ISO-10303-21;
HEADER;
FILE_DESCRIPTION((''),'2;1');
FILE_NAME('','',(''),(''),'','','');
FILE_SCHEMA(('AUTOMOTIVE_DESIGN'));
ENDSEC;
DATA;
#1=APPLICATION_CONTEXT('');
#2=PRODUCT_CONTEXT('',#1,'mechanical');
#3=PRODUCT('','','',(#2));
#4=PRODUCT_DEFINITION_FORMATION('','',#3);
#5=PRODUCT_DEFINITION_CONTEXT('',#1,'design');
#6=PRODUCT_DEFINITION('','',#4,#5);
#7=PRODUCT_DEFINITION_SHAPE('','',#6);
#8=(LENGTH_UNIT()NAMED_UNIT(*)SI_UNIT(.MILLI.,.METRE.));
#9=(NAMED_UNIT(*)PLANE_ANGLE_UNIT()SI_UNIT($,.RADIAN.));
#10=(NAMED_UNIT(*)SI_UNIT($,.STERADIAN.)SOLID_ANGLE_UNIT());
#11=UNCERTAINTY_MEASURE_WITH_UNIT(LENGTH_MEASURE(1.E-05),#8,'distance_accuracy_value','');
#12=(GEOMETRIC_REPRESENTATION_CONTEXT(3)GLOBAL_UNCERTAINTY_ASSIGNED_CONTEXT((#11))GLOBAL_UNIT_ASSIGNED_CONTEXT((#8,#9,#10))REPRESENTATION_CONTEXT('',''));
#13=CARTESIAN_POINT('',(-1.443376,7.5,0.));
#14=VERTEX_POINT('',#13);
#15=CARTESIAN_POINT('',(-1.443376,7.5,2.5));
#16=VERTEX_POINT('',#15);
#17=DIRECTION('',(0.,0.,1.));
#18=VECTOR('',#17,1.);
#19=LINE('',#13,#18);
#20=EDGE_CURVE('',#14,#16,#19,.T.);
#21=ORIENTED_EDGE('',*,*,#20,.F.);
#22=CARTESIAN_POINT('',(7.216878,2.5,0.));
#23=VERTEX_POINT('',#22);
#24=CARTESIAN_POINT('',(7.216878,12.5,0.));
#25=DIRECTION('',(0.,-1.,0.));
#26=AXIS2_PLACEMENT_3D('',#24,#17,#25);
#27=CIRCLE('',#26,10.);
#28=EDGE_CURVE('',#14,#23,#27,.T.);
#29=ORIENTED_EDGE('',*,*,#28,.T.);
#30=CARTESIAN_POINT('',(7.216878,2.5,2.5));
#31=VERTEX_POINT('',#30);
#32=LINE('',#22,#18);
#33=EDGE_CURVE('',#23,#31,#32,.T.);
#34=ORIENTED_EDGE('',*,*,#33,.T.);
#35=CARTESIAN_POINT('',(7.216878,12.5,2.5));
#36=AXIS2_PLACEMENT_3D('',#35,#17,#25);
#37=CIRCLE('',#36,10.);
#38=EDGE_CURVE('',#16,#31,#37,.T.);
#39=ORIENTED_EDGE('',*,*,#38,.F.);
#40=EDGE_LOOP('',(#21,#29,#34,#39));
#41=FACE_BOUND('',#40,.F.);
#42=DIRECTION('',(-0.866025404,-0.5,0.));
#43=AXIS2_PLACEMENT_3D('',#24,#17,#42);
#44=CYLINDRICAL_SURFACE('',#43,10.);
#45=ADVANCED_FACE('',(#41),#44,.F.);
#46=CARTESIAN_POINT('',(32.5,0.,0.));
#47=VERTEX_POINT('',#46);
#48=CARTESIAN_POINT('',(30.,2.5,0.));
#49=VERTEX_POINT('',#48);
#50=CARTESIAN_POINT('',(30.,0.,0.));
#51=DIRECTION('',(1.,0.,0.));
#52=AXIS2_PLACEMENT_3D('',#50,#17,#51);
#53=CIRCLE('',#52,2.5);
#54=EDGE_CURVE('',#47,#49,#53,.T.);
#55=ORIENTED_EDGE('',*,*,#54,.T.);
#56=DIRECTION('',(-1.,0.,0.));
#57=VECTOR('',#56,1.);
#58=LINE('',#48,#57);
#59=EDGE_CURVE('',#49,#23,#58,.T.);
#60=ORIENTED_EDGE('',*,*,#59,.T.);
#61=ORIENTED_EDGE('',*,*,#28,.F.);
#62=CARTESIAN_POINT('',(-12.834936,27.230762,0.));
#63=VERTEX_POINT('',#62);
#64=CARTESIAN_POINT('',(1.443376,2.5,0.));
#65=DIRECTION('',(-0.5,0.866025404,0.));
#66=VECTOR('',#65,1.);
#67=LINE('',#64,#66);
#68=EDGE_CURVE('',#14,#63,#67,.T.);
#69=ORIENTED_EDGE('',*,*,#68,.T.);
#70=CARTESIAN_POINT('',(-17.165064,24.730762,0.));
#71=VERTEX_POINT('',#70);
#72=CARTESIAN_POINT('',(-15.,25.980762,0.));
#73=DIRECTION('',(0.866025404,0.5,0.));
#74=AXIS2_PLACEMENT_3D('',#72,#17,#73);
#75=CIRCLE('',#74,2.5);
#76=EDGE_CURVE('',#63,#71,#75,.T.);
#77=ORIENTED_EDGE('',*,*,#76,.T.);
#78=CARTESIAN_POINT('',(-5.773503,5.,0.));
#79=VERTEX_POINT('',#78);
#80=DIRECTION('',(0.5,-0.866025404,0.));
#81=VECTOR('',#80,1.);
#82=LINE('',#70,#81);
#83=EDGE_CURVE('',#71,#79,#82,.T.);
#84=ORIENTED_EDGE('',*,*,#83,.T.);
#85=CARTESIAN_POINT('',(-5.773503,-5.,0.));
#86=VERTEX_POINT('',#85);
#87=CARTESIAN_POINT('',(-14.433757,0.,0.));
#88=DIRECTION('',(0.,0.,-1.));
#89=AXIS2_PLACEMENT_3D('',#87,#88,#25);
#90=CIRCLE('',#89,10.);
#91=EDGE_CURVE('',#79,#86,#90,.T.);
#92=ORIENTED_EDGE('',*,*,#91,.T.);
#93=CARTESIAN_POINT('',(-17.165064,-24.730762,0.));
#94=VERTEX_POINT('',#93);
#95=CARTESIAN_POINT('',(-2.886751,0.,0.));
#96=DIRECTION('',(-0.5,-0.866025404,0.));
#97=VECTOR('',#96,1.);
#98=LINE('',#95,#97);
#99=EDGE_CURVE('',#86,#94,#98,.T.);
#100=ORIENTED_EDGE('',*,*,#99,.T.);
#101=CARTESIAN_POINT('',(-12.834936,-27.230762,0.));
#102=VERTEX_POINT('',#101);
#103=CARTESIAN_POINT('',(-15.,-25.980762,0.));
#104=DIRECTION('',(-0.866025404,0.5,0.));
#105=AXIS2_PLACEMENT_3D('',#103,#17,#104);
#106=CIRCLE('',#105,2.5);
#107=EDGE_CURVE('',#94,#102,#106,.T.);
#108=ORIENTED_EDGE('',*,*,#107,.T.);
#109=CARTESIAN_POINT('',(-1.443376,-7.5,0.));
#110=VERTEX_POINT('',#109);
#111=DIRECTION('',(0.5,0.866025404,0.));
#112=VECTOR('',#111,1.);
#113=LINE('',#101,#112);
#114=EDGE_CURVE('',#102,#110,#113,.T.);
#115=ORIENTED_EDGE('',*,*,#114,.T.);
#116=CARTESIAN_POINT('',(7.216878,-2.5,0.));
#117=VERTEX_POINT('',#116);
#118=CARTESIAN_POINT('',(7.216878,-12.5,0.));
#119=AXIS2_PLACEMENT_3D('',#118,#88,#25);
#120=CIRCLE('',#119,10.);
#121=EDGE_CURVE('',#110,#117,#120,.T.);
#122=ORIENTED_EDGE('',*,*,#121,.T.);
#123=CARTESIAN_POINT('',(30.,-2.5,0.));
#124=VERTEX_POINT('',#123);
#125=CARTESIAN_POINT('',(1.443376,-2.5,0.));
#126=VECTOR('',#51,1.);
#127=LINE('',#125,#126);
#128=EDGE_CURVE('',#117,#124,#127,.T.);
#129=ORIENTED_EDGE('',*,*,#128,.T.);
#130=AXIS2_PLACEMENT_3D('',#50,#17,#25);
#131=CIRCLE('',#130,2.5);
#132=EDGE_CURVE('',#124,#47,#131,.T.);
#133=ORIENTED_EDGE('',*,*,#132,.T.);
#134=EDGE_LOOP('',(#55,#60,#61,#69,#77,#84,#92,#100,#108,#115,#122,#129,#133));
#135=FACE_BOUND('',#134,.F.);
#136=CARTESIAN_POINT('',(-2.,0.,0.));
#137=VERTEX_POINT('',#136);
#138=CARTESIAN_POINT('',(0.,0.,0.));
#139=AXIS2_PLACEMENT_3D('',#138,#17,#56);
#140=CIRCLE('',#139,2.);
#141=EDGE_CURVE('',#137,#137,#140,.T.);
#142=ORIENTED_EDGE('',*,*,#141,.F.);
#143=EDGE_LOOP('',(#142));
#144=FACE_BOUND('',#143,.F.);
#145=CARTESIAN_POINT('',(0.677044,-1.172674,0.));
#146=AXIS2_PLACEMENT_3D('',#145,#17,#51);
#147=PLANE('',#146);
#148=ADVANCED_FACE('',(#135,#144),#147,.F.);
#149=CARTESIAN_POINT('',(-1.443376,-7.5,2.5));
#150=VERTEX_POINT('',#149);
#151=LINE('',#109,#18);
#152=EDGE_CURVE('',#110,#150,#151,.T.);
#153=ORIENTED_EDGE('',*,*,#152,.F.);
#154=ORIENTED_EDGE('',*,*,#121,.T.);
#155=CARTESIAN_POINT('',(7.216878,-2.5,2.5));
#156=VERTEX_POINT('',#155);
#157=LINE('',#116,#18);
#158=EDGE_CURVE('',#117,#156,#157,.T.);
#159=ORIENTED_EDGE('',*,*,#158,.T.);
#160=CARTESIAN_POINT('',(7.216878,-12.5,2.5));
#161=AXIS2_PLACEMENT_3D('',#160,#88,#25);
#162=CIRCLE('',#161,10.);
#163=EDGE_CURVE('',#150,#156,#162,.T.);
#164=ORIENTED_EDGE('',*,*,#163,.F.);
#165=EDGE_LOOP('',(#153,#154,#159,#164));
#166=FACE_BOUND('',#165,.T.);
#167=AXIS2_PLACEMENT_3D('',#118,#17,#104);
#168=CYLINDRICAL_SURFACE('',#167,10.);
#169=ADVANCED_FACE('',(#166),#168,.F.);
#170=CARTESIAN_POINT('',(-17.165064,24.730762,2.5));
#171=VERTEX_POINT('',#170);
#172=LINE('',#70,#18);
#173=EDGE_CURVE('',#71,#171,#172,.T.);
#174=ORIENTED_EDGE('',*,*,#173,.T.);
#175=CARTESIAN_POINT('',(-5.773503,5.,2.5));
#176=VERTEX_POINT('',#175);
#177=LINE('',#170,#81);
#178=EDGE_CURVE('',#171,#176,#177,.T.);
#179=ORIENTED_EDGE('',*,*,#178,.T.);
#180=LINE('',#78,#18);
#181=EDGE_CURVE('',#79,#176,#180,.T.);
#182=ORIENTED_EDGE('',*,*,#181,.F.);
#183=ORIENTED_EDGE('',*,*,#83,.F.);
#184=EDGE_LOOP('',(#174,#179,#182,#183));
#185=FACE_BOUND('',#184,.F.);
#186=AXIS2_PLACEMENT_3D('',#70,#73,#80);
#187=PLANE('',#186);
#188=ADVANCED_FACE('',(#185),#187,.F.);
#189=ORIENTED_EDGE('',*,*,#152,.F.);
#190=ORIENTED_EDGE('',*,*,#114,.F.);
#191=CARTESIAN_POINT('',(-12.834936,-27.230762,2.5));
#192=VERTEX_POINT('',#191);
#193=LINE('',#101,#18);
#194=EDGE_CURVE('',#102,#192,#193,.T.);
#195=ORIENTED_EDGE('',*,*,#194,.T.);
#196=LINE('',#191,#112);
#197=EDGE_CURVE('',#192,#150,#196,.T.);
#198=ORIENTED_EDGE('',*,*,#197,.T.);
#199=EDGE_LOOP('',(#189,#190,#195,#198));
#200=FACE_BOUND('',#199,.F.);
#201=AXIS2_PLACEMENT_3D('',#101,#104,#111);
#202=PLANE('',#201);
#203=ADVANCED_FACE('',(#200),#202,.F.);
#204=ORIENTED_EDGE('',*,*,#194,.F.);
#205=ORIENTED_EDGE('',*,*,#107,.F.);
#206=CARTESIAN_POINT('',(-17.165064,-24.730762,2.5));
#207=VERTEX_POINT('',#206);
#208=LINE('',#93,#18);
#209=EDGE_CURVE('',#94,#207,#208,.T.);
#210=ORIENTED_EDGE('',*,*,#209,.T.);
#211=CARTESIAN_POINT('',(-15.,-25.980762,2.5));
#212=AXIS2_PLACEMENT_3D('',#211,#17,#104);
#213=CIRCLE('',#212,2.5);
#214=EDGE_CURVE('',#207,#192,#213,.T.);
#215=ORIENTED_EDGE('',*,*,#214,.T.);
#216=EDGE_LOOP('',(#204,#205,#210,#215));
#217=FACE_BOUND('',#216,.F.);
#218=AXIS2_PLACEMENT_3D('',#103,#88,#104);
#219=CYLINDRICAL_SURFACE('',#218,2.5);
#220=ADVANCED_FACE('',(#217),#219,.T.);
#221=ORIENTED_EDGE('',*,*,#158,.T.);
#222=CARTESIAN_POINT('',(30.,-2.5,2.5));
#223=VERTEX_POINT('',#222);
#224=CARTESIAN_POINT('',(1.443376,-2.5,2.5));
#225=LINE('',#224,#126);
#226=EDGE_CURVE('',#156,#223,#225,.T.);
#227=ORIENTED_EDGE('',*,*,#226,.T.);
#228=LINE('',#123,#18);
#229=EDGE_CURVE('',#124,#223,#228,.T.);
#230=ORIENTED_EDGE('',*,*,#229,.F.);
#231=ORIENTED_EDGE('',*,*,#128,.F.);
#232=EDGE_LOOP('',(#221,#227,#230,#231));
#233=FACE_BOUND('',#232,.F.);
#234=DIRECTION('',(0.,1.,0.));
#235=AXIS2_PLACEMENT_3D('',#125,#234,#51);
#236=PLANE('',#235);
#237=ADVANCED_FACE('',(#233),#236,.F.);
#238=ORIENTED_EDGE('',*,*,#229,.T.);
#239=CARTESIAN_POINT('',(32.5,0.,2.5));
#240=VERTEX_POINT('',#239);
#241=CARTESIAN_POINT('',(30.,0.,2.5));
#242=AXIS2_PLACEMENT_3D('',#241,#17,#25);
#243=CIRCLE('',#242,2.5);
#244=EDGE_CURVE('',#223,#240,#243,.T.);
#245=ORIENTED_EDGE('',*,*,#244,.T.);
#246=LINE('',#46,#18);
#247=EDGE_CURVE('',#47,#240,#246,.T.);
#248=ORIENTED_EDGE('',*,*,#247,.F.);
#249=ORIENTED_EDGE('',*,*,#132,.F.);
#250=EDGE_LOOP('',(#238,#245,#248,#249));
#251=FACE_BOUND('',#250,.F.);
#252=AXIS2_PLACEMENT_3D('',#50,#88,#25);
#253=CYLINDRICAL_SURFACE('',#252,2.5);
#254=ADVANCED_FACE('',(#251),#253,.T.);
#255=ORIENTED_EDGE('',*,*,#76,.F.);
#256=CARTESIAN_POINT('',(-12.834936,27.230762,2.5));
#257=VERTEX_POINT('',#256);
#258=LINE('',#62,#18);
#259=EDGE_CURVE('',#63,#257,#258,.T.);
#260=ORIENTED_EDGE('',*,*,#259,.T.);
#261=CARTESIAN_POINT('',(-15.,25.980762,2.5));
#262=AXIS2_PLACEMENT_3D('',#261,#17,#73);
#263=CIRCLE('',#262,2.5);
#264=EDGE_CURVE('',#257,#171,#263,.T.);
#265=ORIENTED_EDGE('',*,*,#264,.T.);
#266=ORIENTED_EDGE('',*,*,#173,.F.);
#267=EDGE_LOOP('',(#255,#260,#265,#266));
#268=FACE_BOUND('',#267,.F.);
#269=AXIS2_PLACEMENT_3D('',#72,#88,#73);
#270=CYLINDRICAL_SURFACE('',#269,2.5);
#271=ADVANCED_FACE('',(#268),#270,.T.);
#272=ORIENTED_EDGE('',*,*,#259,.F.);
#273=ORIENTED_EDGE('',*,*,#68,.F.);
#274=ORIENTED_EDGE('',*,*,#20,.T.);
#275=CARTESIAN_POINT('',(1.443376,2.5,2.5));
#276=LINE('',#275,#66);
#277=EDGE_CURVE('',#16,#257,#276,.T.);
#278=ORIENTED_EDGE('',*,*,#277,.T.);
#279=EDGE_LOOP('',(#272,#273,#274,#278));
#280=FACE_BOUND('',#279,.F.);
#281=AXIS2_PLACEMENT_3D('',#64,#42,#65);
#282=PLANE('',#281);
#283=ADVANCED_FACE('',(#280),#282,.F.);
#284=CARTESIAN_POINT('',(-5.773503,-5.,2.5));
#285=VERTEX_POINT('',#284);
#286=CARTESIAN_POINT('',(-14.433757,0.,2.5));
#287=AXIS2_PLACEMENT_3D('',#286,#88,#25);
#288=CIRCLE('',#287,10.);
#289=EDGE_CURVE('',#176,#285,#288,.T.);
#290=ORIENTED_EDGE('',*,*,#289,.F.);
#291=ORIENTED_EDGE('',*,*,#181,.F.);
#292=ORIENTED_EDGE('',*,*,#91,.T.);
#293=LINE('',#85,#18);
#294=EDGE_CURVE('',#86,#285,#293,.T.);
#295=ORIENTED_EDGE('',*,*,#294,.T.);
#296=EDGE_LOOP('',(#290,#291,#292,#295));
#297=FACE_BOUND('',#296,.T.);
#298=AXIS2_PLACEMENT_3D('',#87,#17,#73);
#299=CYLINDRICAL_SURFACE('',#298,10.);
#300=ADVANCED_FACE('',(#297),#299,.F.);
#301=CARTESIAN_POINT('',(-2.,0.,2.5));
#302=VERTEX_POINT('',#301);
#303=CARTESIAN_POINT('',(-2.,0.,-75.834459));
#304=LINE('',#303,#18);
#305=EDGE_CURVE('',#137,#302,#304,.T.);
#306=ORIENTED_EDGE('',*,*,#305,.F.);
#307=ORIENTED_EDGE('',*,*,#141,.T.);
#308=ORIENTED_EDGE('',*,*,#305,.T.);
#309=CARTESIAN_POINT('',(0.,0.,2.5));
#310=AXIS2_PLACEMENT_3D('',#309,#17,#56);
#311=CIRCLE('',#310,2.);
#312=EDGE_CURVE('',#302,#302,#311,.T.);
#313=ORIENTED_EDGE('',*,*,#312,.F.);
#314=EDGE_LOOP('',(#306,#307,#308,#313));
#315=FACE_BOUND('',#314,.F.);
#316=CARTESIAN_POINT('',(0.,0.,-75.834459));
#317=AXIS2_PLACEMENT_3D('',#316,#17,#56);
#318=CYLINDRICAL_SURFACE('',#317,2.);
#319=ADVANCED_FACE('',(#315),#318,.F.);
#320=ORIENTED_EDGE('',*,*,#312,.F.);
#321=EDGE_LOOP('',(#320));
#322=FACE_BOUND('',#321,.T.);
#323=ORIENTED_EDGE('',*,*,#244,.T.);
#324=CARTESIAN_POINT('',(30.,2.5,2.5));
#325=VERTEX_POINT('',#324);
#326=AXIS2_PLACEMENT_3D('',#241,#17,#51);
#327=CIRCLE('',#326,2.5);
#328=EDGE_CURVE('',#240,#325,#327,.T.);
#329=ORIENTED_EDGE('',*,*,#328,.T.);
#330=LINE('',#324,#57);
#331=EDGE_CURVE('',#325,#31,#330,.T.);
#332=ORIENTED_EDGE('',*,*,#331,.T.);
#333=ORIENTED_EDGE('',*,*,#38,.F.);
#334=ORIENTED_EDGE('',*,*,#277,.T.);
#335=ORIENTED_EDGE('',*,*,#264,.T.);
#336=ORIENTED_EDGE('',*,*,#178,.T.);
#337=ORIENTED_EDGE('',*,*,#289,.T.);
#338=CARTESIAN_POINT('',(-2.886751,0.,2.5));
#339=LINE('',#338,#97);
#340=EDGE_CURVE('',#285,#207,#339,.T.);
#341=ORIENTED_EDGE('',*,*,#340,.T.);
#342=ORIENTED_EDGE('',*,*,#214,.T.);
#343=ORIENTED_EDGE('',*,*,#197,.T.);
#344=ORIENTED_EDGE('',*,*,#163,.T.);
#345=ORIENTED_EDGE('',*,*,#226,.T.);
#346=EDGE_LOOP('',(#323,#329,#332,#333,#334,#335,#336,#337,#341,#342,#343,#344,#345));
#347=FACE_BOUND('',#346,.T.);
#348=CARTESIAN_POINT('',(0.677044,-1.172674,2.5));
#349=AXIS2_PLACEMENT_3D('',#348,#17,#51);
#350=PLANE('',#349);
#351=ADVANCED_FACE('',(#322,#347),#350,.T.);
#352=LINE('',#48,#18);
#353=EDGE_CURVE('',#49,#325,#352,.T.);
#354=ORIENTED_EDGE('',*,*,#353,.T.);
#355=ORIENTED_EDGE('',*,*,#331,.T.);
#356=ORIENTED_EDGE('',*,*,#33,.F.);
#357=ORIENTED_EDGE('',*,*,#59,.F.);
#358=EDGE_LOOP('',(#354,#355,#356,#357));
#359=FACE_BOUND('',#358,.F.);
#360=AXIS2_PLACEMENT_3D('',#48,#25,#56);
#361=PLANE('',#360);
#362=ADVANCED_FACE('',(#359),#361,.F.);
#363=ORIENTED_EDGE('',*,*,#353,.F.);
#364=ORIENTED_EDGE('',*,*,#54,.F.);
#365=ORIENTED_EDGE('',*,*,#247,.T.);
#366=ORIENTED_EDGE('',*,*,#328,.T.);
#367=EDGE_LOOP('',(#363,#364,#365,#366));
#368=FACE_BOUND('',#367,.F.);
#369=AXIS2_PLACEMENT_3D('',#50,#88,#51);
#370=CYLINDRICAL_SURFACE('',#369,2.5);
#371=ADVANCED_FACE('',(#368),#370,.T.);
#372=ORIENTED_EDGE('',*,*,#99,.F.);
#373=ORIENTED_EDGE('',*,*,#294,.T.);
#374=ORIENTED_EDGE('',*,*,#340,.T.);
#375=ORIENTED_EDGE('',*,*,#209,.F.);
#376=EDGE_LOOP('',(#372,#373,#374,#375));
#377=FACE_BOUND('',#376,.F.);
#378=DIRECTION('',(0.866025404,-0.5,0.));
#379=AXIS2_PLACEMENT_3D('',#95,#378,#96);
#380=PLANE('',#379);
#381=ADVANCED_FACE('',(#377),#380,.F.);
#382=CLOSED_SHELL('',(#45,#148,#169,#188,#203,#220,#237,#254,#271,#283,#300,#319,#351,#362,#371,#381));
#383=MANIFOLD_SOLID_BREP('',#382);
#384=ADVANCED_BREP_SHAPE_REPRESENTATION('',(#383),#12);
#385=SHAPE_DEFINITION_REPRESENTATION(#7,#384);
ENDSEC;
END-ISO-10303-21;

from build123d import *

# Parameters (mm, degrees)
F1_DEPTH = 2.5
F3_D     = 4
F4_R     = 10


with BuildPart() as f1:
    # F0 (on Top) → F1 (new body)
    with BuildSketch(Plane.XY):
        with BuildLine():
            ThreePointArc((2.1650635095, -1.25), (2.4148145657, -0.6470476128), (2.5, 0))
            Line((2.5, 0), (0, 0))
            Line((0, 0), (-1.25, -2.1650635095))
            ThreePointArc((-1.25, -2.1650635095), (-0.6470476128, -2.4148145657), (0, -2.5))
            ThreePointArc((0, -2.5), (1.25, -2.1650635095), (2.1650635095, -1.25))
        make_face()
        with BuildLine():
            Line((-1.25, -2.1650635095), (0, 0))
            Line((0, 0), (-1.25, 2.1650635095))
            ThreePointArc((-1.25, 2.1650635095), (-1.767766953, 1.767766953), (-2.1650635095, 1.25))
            ThreePointArc((-2.1650635095, 1.25), (-2.5, 0), (-2.1650635095, -1.25))
            ThreePointArc((-2.1650635095, -1.25), (-1.767766953, -1.767766953), (-1.25, -2.1650635095))
        make_face()
        with BuildLine():
            ThreePointArc((30, -2.5), (31.767766953, -1.767766953), (32.5, 0))
            ThreePointArc((32.5, 0), (31.767766953, 1.767766953), (30, 2.5))
            ThreePointArc((30, 2.5), (28.232233047, 1.767766953), (27.5, 0))
            ThreePointArc((27.5, 0), (28.232233047, -1.767766953), (30, -2.5))
        make_face()
        with BuildLine():
            ThreePointArc((-12.5, 25.9807621135), (-12.5851854343, 26.6278097263), (-12.8349364905, 27.2307621135))
            ThreePointArc((-12.8349364905, 27.2307621135), (-16.25, 28.145825623), (-17.1650635095, 24.7307621135))
            ThreePointArc((-17.1650635095, 24.7307621135), (-15.6470476128, 23.5659475478), (-13.75, 23.8156986041))
            ThreePointArc((-13.75, 23.8156986041), (-12.8349364905, 24.7307621135), (-12.5, 25.9807621135))
        make_face()
        with BuildLine():
            ThreePointArc((-17.1650635095, -24.7307621135), (-16.25, -28.145825623), (-12.8349364905, -27.2307621135))
            ThreePointArc((-12.8349364905, -27.2307621135), (-12.5851854343, -26.6278097263), (-12.5, -25.9807621135))
            ThreePointArc((-12.5, -25.9807621135), (-12.8349364905, -24.7307621135), (-13.75, -23.8156986041))
            ThreePointArc((-13.75, -23.8156986041), (-15.6470476128, -23.5659475478), (-17.1650635095, -24.7307621135))
        make_face()
        with BuildLine():
            ThreePointArc((27.5, 0), (28.232233047, 1.767766953), (30, 2.5))
            Line((30, 2.5), (1.443375673, 2.5))
            Line((1.443375673, 2.5), (2.1650635095, 1.25))
            ThreePointArc((2.1650635095, 1.25), (2.4148145657, 0.6470476128), (2.5, 0))
            Line((2.5, 0), (27.5, 0))
        make_face()
        with BuildLine():
            Line((1.443375673, -2.5), (30, -2.5))
            ThreePointArc((30, -2.5), (28.232233047, -1.767766953), (27.5, 0))
            Line((27.5, 0), (2.5, 0))
            ThreePointArc((2.5, 0), (2.4148145657, -0.6470476128), (2.1650635095, -1.25))
            Line((2.1650635095, -1.25), (1.443375673, -2.5))
        make_face()
        with BuildLine():
            Line((-12.8349364905, -27.2307621135), (1.443375673, -2.5))
            Line((1.443375673, -2.5), (0, -2.5))
            ThreePointArc((0, -2.5), (-0.6470476128, -2.4148145657), (-1.25, -2.1650635095))
            Line((-1.25, -2.1650635095), (-13.75, -23.8156986041))
            ThreePointArc((-13.75, -23.8156986041), (-12.8349364905, -24.7307621135), (-12.5, -25.9807621135))
            ThreePointArc((-12.5, -25.9807621135), (-12.5851854343, -26.6278097263), (-12.8349364905, -27.2307621135))
        make_face()
        with BuildLine():
            Line((0, 2.5), (1.443375673, 2.5))
            Line((1.443375673, 2.5), (-12.8349364905, 27.2307621135))
            ThreePointArc((-12.8349364905, 27.2307621135), (-12.5851854343, 26.6278097263), (-12.5, 25.9807621135))
            ThreePointArc((-12.5, 25.9807621135), (-12.8349364905, 24.7307621135), (-13.75, 23.8156986041))
            Line((-13.75, 23.8156986041), (-1.25, 2.1650635095))
            ThreePointArc((-1.25, 2.1650635095), (-0.6470476128, 2.4148145657), (0, 2.5))
        make_face()
        with BuildLine():
            Line((-13.75, -23.8156986041), (-1.25, -2.1650635095))
            ThreePointArc((-1.25, -2.1650635095), (-1.767766953, -1.767766953), (-2.1650635095, -1.25))
            Line((-2.1650635095, -1.25), (-2.8867513459, 0))
            Line((-2.8867513459, 0), (-17.1650635095, -24.7307621135))
            ThreePointArc((-17.1650635095, -24.7307621135), (-15.6470476128, -23.5659475478), (-13.75, -23.8156986041))
        make_face()
        with BuildLine():
            ThreePointArc((-2.1650635095, 1.25), (-1.767766953, 1.767766953), (-1.25, 2.1650635095))
            Line((-1.25, 2.1650635095), (-13.75, 23.8156986041))
            ThreePointArc((-13.75, 23.8156986041), (-15.6470476128, 23.5659475478), (-17.1650635095, 24.7307621135))
            Line((-17.1650635095, 24.7307621135), (-2.8867513459, 0))
            Line((-2.8867513459, 0), (-2.1650635095, 1.25))
        make_face()
        with BuildLine():
            Line((0, 0), (2.5, 0))
            ThreePointArc((2.5, 0), (2.4148145657, 0.6470476128), (2.1650635095, 1.25))
            ThreePointArc((2.1650635095, 1.25), (1.25, 2.1650635095), (0, 2.5))
            ThreePointArc((0, 2.5), (-0.6470476128, 2.4148145657), (-1.25, 2.1650635095))
            Line((-1.25, 2.1650635095), (0, 0))
        make_face()
        with BuildLine():
            Line((0, -2.5), (1.443375673, -2.5))
            Line((1.443375673, -2.5), (2.1650635095, -1.25))
            ThreePointArc((2.1650635095, -1.25), (1.25, -2.1650635095), (0, -2.5))
        make_face()
        with BuildLine():
            Line((2.1650635095, 1.25), (1.443375673, 2.5))
            Line((1.443375673, 2.5), (0, 2.5))
            ThreePointArc((0, 2.5), (1.25, 2.1650635095), (2.1650635095, 1.25))
        make_face()
        with BuildLine():
            ThreePointArc((-2.1650635095, -1.25), (-2.5, 0), (-2.1650635095, 1.25))
            Line((-2.1650635095, 1.25), (-2.8867513459, 0))
            Line((-2.8867513459, 0), (-2.1650635095, -1.25))
        make_face()
    extrude(amount=F1_DEPTH)

    # F3 (through all)
    with Locations(Plane(origin=(0, 0, 0), x_dir=(1, 0, 0), z_dir=(0, 0, -1))):
        with Locations((0, 0)):
            Hole(F3_D / 2)

    # F4
    f4_edges = [f1.edges().sort_by_distance(p)[0] for p in [
        (1.443376, -2.5, 1.25),
        (-2.886751, 0, 1.25),
        (1.443376, 2.5, 1.25),
    ]]
    fillet(f4_edges, radius=F4_R)


solid = f1.part
